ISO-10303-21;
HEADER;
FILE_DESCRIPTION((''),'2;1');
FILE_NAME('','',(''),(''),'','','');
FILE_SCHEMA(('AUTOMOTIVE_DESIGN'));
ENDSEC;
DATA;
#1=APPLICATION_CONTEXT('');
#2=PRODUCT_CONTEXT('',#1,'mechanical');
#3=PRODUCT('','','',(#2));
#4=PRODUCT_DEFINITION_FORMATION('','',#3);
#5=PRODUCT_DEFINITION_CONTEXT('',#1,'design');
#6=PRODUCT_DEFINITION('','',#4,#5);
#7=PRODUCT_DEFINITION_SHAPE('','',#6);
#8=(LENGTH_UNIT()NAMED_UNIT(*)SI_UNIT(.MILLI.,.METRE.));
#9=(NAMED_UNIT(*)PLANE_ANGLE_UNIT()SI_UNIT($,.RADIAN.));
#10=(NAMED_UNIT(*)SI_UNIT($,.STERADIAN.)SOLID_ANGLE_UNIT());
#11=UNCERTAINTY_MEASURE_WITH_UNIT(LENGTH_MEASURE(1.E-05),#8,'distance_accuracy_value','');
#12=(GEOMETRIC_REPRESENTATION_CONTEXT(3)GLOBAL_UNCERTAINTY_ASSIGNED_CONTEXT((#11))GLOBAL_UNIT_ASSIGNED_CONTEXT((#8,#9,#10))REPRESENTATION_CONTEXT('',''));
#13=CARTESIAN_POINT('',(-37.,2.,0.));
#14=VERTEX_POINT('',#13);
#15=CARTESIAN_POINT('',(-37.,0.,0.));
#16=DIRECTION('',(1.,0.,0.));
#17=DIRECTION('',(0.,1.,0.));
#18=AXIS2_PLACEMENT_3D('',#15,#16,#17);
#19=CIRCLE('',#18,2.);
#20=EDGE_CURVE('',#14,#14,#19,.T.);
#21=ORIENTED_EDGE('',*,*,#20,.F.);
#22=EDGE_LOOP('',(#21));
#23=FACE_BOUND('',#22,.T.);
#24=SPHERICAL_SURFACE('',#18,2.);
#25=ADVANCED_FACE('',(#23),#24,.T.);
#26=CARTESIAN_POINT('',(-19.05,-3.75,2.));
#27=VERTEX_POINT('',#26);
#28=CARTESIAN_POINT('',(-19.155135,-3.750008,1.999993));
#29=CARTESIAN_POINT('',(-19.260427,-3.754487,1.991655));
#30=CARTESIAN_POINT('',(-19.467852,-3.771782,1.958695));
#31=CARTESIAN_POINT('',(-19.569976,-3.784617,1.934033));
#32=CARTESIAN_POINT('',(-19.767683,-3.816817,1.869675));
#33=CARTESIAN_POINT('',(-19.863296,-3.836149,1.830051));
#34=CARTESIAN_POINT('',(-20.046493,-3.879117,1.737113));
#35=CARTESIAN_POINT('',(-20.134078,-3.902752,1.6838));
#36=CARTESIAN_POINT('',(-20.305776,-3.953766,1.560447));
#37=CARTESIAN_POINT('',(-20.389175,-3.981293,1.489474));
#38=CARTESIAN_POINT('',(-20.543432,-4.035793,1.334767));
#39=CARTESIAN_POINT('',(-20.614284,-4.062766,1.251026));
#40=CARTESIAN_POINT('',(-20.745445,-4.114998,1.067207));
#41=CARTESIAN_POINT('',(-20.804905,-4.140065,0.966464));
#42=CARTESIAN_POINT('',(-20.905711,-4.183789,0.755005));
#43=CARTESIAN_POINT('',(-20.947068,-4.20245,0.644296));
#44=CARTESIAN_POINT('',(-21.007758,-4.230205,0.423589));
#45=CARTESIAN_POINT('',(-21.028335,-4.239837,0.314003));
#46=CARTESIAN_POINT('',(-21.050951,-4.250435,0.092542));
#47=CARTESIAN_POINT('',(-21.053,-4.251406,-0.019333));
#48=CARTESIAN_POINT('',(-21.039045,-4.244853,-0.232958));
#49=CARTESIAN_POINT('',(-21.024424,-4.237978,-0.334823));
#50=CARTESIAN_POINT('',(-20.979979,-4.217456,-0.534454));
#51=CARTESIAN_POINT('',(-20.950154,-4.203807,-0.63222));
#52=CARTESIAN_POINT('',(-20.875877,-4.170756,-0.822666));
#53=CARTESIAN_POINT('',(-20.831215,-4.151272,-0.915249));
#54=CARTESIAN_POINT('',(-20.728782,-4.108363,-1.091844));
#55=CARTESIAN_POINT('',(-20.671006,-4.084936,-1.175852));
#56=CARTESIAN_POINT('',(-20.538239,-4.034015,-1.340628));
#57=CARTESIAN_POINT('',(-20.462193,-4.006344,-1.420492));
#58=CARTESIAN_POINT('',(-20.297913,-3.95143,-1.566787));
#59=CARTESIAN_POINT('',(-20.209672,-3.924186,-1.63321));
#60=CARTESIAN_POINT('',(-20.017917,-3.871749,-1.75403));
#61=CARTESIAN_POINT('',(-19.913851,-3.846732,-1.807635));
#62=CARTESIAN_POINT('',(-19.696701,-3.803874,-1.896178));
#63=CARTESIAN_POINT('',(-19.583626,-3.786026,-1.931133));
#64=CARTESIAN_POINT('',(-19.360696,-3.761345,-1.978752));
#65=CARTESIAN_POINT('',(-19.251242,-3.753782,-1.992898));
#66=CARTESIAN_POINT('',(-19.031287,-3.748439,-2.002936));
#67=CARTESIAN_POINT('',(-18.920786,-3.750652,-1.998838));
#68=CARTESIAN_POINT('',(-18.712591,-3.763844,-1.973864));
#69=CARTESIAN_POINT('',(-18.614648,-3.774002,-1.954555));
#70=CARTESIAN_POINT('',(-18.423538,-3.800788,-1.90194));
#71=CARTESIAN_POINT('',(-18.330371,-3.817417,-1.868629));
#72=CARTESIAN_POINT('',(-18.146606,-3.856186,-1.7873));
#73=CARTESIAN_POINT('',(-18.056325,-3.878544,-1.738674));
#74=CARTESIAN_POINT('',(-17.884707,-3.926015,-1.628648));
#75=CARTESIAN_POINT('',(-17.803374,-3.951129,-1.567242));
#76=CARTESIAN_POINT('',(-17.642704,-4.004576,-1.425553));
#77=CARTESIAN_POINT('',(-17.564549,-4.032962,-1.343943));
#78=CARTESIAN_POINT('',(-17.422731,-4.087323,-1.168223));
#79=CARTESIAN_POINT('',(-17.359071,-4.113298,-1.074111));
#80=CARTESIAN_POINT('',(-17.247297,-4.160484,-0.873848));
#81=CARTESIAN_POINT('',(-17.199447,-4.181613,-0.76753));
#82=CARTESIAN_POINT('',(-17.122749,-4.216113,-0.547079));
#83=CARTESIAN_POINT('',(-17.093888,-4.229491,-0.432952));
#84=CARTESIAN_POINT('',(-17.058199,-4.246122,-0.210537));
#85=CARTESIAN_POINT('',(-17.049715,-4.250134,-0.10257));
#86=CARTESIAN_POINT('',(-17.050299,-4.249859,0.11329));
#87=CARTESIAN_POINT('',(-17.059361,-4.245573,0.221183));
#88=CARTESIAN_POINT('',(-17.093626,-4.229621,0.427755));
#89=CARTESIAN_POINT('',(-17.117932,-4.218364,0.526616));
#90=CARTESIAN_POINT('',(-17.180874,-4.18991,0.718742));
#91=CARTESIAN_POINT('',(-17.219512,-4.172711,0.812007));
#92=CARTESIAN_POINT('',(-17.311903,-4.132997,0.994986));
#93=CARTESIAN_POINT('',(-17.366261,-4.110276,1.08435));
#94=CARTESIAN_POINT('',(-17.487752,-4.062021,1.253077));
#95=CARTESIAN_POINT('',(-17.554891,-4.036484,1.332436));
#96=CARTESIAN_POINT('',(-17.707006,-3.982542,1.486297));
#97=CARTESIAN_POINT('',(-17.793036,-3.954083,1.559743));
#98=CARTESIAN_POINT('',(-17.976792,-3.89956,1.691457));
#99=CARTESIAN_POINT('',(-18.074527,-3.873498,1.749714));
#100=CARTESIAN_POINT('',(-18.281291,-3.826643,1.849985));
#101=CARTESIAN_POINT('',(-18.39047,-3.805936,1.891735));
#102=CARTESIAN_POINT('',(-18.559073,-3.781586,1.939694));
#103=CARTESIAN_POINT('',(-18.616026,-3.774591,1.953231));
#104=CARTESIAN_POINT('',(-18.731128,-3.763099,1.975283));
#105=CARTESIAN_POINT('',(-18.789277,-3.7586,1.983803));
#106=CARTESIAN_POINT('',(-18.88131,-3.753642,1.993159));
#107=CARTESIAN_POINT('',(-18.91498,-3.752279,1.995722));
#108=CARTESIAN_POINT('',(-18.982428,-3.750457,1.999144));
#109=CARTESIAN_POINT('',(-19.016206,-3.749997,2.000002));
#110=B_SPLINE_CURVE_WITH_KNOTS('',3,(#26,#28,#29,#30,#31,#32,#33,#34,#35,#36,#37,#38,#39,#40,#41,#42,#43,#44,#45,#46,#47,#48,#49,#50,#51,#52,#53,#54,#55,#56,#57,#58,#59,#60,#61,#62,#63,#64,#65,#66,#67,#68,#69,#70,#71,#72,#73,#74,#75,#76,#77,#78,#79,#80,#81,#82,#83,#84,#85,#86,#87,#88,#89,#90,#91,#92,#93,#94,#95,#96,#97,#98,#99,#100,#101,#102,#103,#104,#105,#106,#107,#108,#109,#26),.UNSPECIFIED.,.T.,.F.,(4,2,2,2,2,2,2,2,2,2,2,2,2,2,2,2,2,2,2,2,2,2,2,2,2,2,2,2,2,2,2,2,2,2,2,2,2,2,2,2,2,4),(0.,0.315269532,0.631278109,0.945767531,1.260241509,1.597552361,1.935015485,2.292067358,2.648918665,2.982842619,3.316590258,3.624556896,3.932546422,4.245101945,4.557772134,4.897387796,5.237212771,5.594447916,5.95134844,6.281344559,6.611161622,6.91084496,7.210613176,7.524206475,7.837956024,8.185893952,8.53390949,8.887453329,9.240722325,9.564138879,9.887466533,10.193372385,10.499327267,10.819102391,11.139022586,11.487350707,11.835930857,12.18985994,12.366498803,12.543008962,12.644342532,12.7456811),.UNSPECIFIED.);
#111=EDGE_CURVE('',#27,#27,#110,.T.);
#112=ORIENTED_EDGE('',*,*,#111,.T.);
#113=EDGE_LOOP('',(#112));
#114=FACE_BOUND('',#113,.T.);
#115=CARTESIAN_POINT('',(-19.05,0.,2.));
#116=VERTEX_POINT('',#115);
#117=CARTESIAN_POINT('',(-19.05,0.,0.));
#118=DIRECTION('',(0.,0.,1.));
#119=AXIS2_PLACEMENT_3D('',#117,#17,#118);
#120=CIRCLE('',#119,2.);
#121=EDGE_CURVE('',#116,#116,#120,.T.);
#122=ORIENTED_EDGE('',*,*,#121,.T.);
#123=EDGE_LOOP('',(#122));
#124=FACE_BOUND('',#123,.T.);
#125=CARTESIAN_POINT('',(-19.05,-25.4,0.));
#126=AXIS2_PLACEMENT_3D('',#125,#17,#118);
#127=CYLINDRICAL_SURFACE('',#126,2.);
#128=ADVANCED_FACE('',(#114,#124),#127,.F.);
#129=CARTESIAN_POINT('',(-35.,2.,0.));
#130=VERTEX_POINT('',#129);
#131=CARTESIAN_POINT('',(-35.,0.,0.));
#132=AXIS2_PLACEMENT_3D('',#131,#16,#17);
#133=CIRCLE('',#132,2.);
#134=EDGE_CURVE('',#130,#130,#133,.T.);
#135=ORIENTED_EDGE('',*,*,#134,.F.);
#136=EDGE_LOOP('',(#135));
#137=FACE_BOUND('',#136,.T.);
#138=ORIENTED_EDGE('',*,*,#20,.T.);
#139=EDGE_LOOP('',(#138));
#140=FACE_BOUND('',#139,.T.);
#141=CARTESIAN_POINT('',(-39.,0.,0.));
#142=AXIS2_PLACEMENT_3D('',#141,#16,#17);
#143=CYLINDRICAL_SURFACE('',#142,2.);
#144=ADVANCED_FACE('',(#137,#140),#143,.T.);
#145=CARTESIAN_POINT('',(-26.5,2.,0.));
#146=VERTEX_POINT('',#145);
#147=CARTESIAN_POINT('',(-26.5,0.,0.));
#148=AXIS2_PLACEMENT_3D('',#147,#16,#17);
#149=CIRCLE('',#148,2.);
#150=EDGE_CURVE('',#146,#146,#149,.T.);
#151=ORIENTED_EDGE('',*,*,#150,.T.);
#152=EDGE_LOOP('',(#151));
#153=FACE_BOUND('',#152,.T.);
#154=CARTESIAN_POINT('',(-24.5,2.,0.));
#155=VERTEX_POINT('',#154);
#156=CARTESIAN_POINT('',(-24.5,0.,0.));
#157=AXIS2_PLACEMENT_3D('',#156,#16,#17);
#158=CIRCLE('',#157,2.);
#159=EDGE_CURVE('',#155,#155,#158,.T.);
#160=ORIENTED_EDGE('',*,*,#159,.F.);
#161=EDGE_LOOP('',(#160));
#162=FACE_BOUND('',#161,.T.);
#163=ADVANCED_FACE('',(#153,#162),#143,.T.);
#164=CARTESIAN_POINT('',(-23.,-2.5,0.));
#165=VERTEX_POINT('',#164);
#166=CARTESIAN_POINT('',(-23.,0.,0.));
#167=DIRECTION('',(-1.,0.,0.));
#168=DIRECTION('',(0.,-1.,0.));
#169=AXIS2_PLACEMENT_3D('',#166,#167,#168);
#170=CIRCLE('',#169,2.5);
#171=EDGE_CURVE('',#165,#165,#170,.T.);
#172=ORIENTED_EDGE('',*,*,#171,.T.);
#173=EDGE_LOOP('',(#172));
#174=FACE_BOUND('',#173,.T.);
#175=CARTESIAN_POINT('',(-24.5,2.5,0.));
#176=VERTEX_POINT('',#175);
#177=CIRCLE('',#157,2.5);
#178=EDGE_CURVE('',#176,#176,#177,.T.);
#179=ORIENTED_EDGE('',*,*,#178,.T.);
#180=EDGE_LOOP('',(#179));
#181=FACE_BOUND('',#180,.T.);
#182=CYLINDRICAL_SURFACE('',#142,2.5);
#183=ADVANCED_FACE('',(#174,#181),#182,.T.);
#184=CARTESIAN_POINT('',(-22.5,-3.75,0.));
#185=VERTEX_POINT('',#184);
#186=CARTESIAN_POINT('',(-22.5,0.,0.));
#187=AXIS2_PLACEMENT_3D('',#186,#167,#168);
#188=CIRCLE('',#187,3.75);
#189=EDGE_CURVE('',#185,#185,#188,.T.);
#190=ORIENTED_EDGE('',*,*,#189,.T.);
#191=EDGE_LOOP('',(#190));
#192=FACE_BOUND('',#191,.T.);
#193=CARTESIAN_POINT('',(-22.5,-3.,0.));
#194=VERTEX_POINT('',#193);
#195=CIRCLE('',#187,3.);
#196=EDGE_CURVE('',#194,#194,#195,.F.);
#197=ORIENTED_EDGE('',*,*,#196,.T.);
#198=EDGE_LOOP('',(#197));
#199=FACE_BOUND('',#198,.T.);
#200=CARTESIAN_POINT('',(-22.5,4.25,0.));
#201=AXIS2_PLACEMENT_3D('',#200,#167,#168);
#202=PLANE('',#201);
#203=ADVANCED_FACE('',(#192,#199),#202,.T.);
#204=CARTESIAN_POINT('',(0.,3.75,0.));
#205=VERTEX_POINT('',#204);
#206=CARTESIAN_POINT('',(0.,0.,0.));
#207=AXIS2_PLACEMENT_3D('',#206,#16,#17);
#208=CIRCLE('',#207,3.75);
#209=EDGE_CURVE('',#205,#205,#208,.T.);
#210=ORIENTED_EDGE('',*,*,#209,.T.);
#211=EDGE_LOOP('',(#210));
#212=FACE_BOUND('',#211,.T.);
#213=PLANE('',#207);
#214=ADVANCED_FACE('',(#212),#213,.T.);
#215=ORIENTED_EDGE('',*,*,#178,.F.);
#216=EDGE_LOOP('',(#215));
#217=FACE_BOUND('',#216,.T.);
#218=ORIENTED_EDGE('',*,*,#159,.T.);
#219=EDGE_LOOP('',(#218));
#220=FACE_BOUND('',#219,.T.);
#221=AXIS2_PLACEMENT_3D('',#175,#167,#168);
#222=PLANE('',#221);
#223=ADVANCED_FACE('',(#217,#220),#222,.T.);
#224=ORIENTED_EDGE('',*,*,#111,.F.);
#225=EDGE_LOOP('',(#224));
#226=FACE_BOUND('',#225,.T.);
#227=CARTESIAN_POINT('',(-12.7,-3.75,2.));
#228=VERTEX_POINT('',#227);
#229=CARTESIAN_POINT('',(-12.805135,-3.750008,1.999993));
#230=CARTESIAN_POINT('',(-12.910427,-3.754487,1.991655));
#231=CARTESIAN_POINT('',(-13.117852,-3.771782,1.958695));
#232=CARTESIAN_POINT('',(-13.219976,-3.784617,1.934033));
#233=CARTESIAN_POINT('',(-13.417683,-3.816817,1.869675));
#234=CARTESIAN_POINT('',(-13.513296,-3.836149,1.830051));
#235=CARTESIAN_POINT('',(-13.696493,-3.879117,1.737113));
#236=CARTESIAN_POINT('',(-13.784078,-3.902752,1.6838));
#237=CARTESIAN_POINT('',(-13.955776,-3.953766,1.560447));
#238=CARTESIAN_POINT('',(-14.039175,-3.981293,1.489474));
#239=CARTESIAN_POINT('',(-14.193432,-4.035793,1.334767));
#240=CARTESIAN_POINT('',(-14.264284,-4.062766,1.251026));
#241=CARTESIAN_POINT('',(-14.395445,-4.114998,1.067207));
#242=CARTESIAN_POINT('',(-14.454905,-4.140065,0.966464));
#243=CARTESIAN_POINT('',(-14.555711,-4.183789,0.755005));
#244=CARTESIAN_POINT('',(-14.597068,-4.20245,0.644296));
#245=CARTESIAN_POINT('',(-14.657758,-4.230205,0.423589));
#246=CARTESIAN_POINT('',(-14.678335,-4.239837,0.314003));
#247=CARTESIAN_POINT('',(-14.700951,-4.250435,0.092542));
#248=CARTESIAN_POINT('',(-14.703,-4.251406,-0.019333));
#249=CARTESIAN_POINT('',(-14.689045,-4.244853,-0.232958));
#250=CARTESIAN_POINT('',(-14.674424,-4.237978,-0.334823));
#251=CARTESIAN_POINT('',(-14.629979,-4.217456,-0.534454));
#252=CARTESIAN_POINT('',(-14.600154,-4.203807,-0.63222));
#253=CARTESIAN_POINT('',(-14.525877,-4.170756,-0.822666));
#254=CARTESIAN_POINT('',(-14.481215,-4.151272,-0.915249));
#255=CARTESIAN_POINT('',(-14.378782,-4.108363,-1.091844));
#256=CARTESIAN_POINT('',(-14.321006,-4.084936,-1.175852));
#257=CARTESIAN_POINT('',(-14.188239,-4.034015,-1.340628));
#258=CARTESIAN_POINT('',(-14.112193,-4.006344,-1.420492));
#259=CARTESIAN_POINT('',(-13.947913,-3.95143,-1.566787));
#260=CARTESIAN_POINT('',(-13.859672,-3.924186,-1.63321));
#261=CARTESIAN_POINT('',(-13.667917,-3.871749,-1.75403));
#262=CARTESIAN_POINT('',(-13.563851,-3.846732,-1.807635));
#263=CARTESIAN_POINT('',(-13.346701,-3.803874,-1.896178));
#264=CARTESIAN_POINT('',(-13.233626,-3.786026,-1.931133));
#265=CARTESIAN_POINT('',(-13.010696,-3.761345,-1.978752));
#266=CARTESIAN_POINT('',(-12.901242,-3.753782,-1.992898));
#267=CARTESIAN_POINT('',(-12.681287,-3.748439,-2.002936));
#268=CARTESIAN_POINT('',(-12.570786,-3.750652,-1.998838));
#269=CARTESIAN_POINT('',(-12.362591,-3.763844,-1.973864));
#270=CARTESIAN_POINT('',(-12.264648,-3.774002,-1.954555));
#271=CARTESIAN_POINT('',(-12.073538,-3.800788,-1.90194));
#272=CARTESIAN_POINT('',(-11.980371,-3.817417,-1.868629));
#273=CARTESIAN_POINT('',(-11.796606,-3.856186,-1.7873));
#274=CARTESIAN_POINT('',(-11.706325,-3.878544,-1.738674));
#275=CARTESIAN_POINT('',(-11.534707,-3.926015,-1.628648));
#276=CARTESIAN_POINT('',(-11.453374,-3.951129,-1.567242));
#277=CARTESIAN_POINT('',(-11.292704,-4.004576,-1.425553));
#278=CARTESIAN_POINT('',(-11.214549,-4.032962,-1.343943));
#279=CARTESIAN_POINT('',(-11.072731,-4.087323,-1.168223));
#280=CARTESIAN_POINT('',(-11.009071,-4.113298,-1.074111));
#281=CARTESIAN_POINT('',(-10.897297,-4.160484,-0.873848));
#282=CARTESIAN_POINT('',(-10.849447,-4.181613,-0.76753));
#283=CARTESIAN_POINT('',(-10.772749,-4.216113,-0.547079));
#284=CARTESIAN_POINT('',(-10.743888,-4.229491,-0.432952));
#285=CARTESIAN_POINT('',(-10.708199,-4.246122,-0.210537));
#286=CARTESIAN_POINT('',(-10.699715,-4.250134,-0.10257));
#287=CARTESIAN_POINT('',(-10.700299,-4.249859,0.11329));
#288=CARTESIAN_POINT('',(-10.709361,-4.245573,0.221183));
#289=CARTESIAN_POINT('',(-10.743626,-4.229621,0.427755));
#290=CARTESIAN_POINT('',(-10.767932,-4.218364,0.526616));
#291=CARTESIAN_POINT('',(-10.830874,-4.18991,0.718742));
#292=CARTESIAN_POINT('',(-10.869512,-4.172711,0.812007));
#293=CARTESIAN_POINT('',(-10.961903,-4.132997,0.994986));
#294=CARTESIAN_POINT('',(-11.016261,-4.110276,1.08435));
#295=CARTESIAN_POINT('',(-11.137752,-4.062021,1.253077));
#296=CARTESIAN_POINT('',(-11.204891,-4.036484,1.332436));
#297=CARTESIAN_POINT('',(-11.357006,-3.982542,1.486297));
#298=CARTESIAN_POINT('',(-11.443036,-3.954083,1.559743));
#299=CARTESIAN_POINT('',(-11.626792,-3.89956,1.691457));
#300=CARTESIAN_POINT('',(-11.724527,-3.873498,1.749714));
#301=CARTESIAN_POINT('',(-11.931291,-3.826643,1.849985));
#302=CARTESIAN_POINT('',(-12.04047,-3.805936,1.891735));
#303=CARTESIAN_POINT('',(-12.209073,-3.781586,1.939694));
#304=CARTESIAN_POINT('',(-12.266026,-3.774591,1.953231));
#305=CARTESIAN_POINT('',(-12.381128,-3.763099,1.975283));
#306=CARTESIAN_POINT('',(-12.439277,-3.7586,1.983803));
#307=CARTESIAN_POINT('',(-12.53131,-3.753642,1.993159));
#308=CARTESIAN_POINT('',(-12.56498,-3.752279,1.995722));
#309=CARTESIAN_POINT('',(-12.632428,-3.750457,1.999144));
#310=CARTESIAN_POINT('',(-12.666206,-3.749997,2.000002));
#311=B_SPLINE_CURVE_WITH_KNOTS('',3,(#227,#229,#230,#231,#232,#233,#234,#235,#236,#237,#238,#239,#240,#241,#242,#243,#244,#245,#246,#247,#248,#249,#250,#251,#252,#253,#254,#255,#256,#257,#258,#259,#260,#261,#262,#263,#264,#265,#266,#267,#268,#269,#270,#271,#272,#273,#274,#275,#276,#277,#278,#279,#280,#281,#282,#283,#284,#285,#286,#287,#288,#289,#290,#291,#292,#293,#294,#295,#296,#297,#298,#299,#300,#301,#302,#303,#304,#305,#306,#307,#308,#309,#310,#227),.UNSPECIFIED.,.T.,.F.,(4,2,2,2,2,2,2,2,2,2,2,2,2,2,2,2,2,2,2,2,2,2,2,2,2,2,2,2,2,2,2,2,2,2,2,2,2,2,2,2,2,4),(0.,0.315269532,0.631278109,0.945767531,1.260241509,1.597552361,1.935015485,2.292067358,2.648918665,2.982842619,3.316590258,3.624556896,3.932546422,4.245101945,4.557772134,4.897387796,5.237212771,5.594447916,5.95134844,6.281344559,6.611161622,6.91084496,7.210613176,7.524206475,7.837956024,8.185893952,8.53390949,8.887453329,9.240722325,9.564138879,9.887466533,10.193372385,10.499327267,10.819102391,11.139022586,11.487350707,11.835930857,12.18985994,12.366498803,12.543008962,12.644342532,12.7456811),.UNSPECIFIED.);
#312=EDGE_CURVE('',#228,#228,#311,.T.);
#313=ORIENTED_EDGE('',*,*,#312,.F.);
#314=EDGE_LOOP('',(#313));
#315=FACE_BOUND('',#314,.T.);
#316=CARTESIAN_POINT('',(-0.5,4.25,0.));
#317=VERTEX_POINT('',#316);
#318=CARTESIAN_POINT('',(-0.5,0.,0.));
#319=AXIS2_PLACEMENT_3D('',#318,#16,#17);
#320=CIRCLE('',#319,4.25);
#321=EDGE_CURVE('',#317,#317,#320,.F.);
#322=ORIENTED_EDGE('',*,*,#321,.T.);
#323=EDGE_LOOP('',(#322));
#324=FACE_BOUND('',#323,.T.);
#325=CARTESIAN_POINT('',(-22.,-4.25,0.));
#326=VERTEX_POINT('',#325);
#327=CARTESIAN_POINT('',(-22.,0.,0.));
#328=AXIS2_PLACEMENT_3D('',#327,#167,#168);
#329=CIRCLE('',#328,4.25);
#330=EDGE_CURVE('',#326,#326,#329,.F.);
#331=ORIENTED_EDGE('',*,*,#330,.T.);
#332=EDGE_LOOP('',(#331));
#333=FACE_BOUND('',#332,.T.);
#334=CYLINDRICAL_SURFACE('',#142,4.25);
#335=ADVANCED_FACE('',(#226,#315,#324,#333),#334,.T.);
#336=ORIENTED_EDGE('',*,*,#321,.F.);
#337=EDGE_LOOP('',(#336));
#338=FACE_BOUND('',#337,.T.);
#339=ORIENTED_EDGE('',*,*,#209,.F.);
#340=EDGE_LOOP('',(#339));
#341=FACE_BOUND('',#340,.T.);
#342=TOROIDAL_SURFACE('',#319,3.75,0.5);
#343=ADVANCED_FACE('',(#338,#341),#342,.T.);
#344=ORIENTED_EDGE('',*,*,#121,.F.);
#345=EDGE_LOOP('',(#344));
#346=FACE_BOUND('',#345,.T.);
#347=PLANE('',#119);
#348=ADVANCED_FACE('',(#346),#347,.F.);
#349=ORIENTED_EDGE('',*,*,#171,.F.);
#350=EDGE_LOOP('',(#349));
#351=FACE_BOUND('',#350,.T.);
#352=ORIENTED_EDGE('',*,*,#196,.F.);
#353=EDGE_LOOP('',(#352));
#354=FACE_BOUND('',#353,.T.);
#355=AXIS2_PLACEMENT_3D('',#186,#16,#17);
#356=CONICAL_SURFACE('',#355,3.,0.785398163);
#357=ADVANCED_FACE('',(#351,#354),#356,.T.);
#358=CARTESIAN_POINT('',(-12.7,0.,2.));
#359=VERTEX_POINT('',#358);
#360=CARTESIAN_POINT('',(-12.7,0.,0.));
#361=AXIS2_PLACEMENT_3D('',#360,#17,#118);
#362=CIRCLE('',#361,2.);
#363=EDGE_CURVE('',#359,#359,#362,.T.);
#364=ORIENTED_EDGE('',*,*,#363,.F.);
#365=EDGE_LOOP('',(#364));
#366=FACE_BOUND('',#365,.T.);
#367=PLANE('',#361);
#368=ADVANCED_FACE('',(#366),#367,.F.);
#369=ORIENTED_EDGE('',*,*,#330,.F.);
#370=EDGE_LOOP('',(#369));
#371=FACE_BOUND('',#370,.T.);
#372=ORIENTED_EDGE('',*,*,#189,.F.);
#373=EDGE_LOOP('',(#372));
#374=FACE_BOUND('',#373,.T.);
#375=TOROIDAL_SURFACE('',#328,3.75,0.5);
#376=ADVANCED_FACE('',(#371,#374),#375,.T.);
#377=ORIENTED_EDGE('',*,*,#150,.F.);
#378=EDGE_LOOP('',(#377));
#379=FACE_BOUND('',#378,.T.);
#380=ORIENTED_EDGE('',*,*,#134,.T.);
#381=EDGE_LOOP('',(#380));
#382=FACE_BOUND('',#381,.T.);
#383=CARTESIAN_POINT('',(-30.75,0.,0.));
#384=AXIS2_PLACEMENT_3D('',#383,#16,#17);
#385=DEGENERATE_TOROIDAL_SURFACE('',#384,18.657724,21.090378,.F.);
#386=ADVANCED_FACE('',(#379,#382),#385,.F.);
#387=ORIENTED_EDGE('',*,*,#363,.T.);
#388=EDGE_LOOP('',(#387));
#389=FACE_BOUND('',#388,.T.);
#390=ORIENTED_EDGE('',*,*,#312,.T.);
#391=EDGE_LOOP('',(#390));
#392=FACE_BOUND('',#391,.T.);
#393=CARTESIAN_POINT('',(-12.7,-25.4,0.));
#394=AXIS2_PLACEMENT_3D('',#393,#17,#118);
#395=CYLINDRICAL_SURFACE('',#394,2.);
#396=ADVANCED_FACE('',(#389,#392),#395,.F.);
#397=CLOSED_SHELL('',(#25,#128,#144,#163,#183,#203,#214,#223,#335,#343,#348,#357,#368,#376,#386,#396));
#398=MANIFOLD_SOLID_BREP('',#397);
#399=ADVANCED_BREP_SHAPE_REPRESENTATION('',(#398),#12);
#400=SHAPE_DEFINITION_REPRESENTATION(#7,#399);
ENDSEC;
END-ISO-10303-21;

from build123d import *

# Parameters (mm, degrees)
CHAMFER1_SIZE      = 0.5
FILLET1_R          = 0.5
SKETCH3_R          = 2
CUT_EXTRUDE1_DEPTH = 25.4


with BuildPart() as part:
    # Sketch1 → Revolve1 (revolve)
    with BuildSketch(Plane.XY):
        with BuildLine():
            Line((0, 0), (-39, 0))
            ThreePointArc((-39, 0), (-38.414213562, 1.414213562), (-37, 2))
            Line((-37, 2), (-35, 2))
            ThreePointArc((-35, 2), (-30.75, 2.432654399), (-26.5, 2))
            Line((-26.5, 2), (-24.5, 2))
            Line((-24.5, 2), (-24.5, 2.5))
            Line((-24.5, 2.5), (-22.5, 2.5))
            Line((-22.5, 2.5), (-22.5, 4.25))
            Line((-22.5, 4.25), (0, 4.25))
            Line((0, 4.25), (0, 0))
        make_face()
    revolve(axis=Axis((-39, 0, 0), (-1, 0, 0)))

    # Chamfer1
    chamfer1_edges = [part.edges().sort_by_distance(p)[0] for p in [
        (-22.5, -2.5, 0),
    ]]
    chamfer(chamfer1_edges, length=CHAMFER1_SIZE)

    # Fillet1
    fillet1_edges = [part.edges().sort_by_distance(p)[0] for p in [
        (0, -4.25, 0),
        (-22.5, -4.25, 0),
    ]]
    fillet(fillet1_edges, radius=FILLET1_R)

    # Sketch3 → Cut-Extrude1 (cut)
    with BuildSketch(Plane(origin=(0, 0, 0), x_dir=(1, 0, 0), z_dir=(0, 1, 0))):
        with Locations(Location((-19.05, 0, 0), (0, 0, 270))):
            Circle(SKETCH3_R)
        with Locations(Location((-12.7, 0, 0), (0, 0, 270))):
            Circle(SKETCH3_R)
    extrude(amount=-CUT_EXTRUDE1_DEPTH, mode=Mode.SUBTRACT)


solid = part.part
